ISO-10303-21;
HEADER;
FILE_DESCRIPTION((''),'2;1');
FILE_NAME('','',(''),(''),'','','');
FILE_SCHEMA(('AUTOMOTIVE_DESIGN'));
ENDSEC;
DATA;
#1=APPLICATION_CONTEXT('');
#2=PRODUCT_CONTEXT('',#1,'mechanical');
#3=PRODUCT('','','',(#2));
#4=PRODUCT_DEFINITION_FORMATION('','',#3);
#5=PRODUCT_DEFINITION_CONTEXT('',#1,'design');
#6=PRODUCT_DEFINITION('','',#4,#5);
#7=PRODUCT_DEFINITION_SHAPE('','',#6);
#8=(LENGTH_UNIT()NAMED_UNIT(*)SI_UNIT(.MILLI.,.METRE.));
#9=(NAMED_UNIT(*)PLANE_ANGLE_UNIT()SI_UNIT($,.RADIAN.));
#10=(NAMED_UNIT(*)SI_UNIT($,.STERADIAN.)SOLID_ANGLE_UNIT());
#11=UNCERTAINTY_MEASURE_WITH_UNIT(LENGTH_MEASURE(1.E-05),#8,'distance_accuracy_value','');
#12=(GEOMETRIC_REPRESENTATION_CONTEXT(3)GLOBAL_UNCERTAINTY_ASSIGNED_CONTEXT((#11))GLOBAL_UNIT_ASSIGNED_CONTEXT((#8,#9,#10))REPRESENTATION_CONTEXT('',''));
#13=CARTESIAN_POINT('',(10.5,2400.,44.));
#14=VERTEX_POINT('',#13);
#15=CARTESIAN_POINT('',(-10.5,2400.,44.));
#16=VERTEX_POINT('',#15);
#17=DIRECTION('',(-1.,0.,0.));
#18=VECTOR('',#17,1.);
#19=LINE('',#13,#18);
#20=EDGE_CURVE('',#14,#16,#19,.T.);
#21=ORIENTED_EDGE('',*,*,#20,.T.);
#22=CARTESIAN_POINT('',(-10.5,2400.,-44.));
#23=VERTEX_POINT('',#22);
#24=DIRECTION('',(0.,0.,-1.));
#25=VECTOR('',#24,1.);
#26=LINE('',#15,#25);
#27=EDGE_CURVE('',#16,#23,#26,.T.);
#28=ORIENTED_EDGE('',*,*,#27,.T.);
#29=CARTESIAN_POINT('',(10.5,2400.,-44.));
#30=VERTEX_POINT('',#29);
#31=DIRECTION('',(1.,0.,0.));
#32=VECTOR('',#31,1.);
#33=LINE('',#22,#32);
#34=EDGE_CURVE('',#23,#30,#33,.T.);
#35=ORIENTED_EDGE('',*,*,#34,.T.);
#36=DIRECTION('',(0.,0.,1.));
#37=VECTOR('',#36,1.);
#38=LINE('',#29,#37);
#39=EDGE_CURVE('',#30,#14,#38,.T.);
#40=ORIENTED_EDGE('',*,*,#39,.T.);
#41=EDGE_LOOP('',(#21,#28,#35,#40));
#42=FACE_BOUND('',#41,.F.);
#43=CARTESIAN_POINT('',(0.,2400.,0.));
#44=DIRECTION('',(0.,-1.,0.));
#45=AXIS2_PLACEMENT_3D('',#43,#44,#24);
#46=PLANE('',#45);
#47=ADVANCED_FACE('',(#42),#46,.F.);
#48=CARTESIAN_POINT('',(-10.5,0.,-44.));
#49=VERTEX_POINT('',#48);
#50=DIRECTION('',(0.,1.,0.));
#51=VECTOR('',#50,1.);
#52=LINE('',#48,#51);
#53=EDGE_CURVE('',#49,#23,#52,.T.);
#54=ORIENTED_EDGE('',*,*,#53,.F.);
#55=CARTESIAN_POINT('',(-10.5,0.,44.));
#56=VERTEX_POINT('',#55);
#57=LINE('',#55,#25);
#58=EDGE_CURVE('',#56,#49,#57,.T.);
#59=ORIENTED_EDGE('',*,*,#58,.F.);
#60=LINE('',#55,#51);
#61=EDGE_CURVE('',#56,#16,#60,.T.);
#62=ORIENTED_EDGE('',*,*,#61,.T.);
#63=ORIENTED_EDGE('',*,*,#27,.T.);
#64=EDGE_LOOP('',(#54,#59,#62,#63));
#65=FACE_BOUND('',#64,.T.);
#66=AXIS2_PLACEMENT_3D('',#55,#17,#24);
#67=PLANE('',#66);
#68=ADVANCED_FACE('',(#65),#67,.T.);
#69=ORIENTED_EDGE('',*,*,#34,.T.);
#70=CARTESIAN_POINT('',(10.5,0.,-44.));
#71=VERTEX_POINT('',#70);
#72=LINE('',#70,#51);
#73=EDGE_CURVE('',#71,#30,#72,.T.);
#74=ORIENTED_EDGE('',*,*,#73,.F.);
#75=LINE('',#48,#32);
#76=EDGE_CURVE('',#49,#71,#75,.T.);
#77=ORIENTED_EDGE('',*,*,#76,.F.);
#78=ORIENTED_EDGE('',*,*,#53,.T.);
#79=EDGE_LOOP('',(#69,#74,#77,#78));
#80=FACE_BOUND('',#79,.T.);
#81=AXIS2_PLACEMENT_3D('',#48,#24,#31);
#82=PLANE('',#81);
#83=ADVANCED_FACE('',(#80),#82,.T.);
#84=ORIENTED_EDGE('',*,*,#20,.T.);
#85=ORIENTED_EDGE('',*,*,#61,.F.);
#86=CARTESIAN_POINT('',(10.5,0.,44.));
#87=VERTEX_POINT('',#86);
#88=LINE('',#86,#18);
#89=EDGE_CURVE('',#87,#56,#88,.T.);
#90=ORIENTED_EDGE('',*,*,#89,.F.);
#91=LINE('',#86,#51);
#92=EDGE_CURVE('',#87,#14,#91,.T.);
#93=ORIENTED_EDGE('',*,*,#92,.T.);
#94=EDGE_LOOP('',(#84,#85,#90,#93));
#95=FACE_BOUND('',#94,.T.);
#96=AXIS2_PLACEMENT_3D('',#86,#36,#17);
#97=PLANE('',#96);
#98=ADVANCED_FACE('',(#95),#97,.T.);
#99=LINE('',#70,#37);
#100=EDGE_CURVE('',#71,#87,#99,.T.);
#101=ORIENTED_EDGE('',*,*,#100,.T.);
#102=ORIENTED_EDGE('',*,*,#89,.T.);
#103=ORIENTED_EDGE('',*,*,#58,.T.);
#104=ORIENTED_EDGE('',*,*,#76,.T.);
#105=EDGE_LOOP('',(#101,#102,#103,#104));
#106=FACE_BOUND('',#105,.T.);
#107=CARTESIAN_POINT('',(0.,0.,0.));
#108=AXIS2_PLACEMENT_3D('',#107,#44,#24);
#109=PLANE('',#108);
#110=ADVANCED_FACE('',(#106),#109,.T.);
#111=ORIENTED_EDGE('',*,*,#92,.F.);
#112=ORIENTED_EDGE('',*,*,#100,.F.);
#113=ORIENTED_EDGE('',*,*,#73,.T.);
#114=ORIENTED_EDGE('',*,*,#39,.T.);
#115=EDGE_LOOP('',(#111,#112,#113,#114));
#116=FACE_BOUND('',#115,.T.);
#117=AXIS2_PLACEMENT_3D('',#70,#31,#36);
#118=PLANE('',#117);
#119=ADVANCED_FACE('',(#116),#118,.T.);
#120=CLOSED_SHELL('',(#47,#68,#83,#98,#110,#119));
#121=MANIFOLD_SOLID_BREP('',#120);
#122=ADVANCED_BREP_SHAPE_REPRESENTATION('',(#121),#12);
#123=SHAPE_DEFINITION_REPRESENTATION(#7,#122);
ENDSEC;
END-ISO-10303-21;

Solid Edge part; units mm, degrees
sketch "Sketch1" plane through (0, 0, 0) normal (0, -1, 0) x (1, 0, 0)
  line L0 (-10.5, -44) -> (10.5, -44)
  line L1 (10.5, -44) -> (10.5, 44)
  line L2 (10.5, 44) -> (-10.5, 44)
  line L3 (-10.5, 44) -> (-10.5, -44)
extrude "Protrusion1" add sketch "Sketch1" against normal blind 2400
